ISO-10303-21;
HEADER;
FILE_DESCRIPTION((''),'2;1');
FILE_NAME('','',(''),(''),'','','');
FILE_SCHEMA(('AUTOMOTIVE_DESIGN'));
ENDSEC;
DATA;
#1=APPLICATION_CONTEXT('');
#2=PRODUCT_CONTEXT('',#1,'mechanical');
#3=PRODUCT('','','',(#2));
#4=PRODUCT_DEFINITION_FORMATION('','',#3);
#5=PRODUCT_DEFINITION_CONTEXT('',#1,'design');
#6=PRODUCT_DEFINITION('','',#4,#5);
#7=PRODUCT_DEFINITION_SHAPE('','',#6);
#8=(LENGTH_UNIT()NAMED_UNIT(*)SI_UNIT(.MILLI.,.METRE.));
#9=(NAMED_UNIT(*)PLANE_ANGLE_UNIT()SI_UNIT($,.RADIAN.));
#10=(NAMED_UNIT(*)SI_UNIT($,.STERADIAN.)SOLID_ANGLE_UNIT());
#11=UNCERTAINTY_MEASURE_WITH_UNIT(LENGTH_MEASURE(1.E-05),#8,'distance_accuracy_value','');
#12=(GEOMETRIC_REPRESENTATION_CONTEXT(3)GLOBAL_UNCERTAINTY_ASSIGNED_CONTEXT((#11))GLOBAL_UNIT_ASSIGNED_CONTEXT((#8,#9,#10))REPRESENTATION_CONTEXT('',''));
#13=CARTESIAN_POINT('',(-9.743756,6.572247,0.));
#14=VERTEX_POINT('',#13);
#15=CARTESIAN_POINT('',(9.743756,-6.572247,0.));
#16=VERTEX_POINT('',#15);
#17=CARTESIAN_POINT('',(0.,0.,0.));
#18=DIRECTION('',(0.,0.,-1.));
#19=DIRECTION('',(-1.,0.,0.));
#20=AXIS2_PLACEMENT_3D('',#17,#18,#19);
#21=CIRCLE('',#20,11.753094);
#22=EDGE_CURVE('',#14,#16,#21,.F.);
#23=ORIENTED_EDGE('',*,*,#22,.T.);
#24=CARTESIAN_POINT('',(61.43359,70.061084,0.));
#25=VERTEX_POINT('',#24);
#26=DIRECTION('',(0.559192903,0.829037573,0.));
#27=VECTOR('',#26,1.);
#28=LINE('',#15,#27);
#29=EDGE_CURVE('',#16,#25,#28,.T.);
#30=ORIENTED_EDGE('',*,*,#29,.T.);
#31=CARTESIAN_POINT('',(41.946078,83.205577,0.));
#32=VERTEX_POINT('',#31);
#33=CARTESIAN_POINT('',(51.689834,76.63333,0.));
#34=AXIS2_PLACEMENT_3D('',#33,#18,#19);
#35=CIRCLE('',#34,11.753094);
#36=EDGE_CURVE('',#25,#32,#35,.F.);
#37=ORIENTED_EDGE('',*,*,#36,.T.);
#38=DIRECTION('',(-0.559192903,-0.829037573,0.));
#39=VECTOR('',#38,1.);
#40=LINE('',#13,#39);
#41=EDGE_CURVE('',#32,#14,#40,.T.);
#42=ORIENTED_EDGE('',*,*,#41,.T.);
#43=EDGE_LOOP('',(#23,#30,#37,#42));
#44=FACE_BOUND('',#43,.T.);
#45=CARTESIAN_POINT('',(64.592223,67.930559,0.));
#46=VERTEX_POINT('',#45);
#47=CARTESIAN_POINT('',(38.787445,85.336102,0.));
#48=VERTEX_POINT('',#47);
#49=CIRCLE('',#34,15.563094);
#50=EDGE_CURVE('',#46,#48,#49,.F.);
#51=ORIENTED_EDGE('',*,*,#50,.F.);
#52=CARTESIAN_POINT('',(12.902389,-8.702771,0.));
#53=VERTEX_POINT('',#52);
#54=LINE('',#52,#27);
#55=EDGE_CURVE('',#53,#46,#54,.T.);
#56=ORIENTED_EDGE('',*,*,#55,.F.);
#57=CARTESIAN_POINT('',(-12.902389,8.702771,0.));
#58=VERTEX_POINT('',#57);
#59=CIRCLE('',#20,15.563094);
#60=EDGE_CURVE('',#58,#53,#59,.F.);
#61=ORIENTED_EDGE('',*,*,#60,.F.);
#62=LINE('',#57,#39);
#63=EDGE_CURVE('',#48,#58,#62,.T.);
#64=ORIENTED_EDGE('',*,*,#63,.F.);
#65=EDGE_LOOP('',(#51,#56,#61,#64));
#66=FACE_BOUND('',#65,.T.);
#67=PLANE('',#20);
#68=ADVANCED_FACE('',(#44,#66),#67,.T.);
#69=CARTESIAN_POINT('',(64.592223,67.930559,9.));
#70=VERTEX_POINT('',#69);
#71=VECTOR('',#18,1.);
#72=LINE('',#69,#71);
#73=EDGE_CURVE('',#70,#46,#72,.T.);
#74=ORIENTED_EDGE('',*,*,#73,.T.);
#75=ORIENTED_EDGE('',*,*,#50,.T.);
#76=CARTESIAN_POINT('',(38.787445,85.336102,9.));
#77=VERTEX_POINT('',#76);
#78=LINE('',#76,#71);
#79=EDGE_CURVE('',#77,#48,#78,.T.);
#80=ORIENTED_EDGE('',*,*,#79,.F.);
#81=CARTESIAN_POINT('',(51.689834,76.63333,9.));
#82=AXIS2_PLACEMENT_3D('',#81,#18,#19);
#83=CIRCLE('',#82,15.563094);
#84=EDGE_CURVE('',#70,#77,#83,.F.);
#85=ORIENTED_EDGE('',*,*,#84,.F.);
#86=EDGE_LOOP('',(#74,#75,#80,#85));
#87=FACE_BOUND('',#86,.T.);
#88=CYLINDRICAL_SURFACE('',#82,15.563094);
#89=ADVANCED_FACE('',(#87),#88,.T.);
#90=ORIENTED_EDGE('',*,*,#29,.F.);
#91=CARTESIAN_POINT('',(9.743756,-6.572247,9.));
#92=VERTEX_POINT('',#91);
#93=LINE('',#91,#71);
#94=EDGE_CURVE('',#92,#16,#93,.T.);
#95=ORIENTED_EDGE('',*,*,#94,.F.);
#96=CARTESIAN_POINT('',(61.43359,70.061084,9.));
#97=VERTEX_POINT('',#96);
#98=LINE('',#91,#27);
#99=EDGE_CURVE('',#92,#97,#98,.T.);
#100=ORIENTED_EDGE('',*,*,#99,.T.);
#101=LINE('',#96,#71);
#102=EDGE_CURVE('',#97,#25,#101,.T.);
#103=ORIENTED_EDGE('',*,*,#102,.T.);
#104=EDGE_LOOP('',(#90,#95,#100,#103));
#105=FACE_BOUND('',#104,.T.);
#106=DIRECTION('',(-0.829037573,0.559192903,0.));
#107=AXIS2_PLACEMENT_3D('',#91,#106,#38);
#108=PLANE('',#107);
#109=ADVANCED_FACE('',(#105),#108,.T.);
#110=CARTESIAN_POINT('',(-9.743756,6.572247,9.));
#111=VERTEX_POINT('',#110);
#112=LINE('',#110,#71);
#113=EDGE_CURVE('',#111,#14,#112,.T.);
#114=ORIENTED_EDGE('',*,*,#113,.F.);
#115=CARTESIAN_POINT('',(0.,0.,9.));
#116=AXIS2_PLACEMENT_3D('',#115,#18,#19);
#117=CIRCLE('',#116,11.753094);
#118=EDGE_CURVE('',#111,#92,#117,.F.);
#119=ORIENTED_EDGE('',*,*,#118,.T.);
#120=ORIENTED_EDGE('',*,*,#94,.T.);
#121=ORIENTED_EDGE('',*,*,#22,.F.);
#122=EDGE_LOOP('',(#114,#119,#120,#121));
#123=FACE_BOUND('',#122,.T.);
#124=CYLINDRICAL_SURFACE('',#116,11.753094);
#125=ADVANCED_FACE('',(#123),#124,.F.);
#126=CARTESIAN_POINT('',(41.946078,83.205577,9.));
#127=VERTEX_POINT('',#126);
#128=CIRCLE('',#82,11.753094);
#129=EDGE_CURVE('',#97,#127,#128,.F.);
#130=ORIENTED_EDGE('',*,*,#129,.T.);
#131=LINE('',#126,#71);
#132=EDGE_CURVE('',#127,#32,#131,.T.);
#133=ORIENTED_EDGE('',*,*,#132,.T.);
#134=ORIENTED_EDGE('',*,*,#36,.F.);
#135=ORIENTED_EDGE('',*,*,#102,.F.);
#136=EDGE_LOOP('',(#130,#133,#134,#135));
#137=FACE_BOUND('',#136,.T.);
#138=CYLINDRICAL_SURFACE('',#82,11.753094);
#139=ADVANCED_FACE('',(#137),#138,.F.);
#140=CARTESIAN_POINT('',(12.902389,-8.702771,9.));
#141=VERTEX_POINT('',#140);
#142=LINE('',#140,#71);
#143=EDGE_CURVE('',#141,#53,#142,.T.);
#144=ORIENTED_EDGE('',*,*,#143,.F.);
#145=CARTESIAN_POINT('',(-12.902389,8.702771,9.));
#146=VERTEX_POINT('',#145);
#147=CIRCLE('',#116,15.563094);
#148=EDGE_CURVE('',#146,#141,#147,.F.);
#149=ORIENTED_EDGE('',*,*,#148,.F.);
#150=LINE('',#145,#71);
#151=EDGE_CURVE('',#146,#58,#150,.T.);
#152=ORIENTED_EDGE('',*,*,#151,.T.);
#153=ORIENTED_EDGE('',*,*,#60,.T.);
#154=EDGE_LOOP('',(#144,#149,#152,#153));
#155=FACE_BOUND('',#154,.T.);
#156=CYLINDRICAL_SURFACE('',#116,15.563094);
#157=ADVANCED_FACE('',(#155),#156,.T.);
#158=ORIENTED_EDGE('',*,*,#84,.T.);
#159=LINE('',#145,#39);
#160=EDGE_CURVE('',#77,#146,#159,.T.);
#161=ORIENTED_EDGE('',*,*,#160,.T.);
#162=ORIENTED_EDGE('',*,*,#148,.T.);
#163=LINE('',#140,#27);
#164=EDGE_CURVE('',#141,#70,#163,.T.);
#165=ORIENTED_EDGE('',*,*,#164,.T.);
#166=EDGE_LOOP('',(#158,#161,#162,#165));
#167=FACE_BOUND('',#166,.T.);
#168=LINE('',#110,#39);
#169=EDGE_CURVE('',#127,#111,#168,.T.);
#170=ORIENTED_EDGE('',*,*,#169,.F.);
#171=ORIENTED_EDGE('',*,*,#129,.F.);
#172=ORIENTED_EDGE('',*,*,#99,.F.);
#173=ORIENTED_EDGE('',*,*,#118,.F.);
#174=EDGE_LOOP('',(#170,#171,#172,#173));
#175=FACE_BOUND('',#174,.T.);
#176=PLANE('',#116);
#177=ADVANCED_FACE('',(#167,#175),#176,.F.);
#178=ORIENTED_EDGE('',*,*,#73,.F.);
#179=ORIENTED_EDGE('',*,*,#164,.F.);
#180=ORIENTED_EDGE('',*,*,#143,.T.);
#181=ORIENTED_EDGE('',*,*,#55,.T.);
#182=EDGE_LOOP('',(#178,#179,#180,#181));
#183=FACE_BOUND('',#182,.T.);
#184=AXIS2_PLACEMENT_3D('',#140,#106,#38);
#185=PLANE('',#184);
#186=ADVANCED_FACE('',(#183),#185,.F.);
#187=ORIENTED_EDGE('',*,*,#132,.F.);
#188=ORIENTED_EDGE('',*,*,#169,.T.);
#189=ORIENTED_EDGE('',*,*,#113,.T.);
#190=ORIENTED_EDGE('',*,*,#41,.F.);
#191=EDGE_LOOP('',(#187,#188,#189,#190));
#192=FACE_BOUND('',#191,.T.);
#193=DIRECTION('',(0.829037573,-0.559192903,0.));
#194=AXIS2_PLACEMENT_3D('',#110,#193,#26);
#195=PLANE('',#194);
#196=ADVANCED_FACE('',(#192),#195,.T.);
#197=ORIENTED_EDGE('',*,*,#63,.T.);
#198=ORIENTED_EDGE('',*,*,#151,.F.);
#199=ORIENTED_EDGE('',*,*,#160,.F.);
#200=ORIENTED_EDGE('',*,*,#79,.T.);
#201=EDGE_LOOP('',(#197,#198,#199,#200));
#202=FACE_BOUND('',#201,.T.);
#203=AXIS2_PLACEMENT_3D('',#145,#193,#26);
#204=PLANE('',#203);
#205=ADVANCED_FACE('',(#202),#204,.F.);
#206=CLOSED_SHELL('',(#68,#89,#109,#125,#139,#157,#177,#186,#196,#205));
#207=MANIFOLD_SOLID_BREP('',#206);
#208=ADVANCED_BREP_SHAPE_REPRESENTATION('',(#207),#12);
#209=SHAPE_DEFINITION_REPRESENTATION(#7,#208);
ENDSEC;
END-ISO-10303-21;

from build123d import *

# Parameters (mm, degrees)
EXTRUDE_THIN1_DEPTH = 9


with BuildPart() as part:
    # Sketch2 → Extrude-Thin1 (new body)
    with BuildSketch(Plane.XY):
        with BuildLine():
            Line((64.592223182, 67.930558641), (12.902389333, -8.702771493))
            ThreePointArc((12.902389333, -8.702771493), (-8.702771493, -12.902389333), (-12.902389333, 8.702771493))
            Line((-12.902389333, 8.702771493), (38.787444516, 85.336101627))
            ThreePointArc((38.787444516, 85.336101627), (60.392605342, 89.535719467), (64.592223182, 67.930558641))
        make_face()
        with BuildLine():
            Line((61.433590031, 70.061083603), (9.743756182, -6.572246531))
            ThreePointArc((9.743756182, -6.572246531), (-6.572246531, -9.743756182), (-9.743756182, 6.572246531))
            Line((-9.743756182, 6.572246531), (41.946077668, 83.205576664))
            ThreePointArc((41.946077668, 83.205576664), (58.26208038, 86.377086316), (61.433590031, 70.061083603))
        make_face(mode=Mode.SUBTRACT)
    extrude(amount=EXTRUDE_THIN1_DEPTH)


solid = part.part
